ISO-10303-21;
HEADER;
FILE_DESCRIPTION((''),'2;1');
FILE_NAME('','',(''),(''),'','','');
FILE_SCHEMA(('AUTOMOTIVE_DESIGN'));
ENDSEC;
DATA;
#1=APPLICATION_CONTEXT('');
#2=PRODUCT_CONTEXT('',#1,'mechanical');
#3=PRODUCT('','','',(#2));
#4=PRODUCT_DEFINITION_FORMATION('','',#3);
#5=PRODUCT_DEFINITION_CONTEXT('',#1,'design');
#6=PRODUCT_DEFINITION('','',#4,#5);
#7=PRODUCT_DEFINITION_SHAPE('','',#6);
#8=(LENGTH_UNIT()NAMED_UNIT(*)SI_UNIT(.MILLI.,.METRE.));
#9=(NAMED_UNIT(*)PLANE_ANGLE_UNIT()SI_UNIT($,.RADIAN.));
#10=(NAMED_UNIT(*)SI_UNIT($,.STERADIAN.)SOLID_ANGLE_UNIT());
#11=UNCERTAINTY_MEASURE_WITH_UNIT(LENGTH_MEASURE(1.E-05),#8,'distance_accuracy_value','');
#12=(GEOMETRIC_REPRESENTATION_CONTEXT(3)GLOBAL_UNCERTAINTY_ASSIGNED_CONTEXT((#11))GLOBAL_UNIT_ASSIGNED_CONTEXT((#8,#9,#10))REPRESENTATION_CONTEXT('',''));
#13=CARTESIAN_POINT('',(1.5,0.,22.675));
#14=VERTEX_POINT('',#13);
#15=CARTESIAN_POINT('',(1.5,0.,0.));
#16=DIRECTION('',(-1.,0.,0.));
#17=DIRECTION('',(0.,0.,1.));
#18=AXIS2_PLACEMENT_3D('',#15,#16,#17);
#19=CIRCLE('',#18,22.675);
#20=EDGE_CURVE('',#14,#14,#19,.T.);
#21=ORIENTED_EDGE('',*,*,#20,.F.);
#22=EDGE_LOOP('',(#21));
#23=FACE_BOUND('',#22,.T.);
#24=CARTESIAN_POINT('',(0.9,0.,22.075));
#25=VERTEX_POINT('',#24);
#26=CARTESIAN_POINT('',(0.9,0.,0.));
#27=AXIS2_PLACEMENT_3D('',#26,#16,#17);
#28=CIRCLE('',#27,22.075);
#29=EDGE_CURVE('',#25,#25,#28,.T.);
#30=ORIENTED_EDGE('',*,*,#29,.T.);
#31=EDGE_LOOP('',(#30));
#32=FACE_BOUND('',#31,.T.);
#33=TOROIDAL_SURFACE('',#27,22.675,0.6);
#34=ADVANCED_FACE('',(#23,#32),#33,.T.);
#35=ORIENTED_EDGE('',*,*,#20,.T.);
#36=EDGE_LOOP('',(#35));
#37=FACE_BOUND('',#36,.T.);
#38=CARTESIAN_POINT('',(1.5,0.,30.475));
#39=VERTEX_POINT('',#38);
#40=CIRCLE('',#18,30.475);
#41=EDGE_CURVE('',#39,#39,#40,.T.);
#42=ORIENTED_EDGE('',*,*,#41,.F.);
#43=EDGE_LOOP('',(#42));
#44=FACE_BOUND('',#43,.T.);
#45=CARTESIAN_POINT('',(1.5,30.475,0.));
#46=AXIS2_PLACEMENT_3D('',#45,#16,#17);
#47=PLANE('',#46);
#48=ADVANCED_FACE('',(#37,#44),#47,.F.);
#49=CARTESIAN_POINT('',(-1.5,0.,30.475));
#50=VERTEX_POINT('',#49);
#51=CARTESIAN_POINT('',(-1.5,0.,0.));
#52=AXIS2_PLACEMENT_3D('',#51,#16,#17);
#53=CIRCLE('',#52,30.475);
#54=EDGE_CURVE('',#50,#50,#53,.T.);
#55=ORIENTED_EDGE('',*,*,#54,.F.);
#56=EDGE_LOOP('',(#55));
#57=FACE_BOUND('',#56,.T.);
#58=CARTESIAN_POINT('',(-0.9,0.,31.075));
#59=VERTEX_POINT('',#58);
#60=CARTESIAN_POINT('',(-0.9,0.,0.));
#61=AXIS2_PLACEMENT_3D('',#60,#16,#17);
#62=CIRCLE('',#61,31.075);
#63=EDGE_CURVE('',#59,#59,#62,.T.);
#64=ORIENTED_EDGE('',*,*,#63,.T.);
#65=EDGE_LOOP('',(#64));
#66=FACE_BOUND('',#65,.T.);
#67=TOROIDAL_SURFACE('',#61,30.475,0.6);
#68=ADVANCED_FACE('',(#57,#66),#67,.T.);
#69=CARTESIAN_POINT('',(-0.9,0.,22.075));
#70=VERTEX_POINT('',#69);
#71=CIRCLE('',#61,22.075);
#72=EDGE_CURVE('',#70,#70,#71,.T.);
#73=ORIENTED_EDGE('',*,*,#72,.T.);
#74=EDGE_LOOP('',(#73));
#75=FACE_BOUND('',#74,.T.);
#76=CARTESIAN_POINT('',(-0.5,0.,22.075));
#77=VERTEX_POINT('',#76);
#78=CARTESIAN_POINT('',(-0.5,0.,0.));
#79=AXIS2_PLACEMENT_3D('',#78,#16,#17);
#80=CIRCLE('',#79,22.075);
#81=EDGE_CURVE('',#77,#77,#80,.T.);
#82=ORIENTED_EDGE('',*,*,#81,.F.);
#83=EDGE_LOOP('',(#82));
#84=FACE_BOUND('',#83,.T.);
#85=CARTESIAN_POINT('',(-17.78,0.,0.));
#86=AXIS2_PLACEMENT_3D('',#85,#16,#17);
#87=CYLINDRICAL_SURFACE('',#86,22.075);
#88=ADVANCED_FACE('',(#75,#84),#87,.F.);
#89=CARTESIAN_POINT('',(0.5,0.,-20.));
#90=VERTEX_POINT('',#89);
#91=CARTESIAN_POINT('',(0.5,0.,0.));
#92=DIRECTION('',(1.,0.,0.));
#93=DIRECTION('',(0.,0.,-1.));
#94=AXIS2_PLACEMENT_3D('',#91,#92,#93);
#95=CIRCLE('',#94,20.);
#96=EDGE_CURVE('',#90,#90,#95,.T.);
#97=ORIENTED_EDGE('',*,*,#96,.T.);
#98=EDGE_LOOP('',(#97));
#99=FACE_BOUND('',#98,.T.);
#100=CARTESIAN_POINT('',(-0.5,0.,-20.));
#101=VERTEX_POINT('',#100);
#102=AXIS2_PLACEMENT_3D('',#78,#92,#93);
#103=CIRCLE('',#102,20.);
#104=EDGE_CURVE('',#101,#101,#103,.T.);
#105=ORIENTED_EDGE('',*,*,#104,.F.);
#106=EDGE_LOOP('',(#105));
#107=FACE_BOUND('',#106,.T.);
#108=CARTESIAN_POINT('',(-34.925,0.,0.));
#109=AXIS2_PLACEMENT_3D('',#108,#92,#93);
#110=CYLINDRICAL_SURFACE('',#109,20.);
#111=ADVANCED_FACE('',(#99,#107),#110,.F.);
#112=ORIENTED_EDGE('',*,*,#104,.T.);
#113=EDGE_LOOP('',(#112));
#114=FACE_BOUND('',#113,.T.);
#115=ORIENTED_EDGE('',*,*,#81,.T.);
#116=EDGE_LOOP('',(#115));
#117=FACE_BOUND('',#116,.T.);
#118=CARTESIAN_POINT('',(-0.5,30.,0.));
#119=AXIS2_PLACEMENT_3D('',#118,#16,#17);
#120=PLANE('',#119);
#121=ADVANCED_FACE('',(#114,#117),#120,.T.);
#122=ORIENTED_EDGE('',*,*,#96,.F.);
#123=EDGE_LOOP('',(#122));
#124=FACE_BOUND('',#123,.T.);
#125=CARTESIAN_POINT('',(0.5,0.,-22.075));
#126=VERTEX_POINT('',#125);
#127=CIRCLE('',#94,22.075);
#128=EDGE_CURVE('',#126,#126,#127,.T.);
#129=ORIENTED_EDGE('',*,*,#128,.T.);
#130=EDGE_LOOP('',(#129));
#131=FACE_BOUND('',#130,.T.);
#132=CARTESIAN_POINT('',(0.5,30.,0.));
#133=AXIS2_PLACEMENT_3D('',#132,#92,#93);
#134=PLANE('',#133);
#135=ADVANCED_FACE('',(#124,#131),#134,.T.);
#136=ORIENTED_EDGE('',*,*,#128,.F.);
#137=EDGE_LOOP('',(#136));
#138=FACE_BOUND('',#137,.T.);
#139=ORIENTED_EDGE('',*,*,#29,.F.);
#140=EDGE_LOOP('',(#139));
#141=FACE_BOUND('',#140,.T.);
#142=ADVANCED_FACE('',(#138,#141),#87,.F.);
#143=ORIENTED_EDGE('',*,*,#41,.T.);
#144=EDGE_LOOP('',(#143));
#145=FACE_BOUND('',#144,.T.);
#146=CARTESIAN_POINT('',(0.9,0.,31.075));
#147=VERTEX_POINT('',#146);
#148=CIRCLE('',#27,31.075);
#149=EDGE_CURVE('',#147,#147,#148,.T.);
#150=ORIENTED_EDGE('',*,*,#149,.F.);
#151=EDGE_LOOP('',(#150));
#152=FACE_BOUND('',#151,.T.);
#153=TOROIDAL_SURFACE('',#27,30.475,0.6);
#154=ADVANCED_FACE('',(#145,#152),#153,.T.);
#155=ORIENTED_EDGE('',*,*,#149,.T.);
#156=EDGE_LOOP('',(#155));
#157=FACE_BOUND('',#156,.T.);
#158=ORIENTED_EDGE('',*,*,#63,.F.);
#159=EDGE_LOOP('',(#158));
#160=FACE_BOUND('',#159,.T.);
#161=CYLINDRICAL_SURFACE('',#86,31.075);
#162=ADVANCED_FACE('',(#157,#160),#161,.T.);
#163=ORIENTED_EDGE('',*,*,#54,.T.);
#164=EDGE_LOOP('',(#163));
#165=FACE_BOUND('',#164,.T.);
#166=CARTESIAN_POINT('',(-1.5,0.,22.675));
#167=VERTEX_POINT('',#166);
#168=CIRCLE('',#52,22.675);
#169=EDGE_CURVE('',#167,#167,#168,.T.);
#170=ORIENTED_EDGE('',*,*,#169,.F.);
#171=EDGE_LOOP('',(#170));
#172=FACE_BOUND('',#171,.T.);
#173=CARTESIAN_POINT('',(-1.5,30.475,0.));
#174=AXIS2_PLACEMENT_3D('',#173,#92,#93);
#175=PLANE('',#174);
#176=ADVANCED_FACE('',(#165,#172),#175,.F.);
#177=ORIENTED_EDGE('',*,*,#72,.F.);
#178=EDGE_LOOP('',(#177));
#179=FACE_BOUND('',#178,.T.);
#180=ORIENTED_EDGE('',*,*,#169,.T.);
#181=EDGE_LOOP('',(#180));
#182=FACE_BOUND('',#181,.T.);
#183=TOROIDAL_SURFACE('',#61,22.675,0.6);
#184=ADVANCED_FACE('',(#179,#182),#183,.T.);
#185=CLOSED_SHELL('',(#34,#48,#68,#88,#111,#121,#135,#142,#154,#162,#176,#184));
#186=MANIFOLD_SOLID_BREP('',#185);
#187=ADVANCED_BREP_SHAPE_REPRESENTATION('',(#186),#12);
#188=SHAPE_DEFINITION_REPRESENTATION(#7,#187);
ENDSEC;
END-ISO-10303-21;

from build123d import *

# Parameters (mm, degrees)
CAGSPISKE_W = 1
CAGSPISKE_H = 10


with BuildPart() as part:
    # CagSpiSke → CageSpine (revolve)
    with BuildSketch(Plane.XY):
        with Locations((0, 25)):
            Rectangle(CAGSPISKE_W, CAGSPISKE_H)
    revolve(axis=Axis((-34.925, 0, 0), (1, 0, 0)))

    # RolSimSke → RollersSimplified (revolve)
    with BuildSketch(Plane.XY):
        with BuildLine():
            Line((-0.9, 31.075), (0.9, 31.075))
            ThreePointArc((0.9, 31.075), (1.324264069, 30.899264069), (1.5, 30.475))
            Line((1.5, 30.475), (1.5, 22.675))
            ThreePointArc((1.5, 22.675), (1.324264069, 22.250735931), (0.9, 22.075))
            Line((0.9, 22.075), (-0.9, 22.075))
            ThreePointArc((-0.9, 22.075), (-1.324264069, 22.250735931), (-1.5, 22.675))
            Line((-1.5, 22.675), (-1.5, 30.475))
            ThreePointArc((-1.5, 30.475), (-1.324264069, 30.899264069), (-0.9, 31.075))
        make_face()
    revolve(axis=Axis((-17.78, 0, 0), (1, 0, 0)))


solid = part.part
